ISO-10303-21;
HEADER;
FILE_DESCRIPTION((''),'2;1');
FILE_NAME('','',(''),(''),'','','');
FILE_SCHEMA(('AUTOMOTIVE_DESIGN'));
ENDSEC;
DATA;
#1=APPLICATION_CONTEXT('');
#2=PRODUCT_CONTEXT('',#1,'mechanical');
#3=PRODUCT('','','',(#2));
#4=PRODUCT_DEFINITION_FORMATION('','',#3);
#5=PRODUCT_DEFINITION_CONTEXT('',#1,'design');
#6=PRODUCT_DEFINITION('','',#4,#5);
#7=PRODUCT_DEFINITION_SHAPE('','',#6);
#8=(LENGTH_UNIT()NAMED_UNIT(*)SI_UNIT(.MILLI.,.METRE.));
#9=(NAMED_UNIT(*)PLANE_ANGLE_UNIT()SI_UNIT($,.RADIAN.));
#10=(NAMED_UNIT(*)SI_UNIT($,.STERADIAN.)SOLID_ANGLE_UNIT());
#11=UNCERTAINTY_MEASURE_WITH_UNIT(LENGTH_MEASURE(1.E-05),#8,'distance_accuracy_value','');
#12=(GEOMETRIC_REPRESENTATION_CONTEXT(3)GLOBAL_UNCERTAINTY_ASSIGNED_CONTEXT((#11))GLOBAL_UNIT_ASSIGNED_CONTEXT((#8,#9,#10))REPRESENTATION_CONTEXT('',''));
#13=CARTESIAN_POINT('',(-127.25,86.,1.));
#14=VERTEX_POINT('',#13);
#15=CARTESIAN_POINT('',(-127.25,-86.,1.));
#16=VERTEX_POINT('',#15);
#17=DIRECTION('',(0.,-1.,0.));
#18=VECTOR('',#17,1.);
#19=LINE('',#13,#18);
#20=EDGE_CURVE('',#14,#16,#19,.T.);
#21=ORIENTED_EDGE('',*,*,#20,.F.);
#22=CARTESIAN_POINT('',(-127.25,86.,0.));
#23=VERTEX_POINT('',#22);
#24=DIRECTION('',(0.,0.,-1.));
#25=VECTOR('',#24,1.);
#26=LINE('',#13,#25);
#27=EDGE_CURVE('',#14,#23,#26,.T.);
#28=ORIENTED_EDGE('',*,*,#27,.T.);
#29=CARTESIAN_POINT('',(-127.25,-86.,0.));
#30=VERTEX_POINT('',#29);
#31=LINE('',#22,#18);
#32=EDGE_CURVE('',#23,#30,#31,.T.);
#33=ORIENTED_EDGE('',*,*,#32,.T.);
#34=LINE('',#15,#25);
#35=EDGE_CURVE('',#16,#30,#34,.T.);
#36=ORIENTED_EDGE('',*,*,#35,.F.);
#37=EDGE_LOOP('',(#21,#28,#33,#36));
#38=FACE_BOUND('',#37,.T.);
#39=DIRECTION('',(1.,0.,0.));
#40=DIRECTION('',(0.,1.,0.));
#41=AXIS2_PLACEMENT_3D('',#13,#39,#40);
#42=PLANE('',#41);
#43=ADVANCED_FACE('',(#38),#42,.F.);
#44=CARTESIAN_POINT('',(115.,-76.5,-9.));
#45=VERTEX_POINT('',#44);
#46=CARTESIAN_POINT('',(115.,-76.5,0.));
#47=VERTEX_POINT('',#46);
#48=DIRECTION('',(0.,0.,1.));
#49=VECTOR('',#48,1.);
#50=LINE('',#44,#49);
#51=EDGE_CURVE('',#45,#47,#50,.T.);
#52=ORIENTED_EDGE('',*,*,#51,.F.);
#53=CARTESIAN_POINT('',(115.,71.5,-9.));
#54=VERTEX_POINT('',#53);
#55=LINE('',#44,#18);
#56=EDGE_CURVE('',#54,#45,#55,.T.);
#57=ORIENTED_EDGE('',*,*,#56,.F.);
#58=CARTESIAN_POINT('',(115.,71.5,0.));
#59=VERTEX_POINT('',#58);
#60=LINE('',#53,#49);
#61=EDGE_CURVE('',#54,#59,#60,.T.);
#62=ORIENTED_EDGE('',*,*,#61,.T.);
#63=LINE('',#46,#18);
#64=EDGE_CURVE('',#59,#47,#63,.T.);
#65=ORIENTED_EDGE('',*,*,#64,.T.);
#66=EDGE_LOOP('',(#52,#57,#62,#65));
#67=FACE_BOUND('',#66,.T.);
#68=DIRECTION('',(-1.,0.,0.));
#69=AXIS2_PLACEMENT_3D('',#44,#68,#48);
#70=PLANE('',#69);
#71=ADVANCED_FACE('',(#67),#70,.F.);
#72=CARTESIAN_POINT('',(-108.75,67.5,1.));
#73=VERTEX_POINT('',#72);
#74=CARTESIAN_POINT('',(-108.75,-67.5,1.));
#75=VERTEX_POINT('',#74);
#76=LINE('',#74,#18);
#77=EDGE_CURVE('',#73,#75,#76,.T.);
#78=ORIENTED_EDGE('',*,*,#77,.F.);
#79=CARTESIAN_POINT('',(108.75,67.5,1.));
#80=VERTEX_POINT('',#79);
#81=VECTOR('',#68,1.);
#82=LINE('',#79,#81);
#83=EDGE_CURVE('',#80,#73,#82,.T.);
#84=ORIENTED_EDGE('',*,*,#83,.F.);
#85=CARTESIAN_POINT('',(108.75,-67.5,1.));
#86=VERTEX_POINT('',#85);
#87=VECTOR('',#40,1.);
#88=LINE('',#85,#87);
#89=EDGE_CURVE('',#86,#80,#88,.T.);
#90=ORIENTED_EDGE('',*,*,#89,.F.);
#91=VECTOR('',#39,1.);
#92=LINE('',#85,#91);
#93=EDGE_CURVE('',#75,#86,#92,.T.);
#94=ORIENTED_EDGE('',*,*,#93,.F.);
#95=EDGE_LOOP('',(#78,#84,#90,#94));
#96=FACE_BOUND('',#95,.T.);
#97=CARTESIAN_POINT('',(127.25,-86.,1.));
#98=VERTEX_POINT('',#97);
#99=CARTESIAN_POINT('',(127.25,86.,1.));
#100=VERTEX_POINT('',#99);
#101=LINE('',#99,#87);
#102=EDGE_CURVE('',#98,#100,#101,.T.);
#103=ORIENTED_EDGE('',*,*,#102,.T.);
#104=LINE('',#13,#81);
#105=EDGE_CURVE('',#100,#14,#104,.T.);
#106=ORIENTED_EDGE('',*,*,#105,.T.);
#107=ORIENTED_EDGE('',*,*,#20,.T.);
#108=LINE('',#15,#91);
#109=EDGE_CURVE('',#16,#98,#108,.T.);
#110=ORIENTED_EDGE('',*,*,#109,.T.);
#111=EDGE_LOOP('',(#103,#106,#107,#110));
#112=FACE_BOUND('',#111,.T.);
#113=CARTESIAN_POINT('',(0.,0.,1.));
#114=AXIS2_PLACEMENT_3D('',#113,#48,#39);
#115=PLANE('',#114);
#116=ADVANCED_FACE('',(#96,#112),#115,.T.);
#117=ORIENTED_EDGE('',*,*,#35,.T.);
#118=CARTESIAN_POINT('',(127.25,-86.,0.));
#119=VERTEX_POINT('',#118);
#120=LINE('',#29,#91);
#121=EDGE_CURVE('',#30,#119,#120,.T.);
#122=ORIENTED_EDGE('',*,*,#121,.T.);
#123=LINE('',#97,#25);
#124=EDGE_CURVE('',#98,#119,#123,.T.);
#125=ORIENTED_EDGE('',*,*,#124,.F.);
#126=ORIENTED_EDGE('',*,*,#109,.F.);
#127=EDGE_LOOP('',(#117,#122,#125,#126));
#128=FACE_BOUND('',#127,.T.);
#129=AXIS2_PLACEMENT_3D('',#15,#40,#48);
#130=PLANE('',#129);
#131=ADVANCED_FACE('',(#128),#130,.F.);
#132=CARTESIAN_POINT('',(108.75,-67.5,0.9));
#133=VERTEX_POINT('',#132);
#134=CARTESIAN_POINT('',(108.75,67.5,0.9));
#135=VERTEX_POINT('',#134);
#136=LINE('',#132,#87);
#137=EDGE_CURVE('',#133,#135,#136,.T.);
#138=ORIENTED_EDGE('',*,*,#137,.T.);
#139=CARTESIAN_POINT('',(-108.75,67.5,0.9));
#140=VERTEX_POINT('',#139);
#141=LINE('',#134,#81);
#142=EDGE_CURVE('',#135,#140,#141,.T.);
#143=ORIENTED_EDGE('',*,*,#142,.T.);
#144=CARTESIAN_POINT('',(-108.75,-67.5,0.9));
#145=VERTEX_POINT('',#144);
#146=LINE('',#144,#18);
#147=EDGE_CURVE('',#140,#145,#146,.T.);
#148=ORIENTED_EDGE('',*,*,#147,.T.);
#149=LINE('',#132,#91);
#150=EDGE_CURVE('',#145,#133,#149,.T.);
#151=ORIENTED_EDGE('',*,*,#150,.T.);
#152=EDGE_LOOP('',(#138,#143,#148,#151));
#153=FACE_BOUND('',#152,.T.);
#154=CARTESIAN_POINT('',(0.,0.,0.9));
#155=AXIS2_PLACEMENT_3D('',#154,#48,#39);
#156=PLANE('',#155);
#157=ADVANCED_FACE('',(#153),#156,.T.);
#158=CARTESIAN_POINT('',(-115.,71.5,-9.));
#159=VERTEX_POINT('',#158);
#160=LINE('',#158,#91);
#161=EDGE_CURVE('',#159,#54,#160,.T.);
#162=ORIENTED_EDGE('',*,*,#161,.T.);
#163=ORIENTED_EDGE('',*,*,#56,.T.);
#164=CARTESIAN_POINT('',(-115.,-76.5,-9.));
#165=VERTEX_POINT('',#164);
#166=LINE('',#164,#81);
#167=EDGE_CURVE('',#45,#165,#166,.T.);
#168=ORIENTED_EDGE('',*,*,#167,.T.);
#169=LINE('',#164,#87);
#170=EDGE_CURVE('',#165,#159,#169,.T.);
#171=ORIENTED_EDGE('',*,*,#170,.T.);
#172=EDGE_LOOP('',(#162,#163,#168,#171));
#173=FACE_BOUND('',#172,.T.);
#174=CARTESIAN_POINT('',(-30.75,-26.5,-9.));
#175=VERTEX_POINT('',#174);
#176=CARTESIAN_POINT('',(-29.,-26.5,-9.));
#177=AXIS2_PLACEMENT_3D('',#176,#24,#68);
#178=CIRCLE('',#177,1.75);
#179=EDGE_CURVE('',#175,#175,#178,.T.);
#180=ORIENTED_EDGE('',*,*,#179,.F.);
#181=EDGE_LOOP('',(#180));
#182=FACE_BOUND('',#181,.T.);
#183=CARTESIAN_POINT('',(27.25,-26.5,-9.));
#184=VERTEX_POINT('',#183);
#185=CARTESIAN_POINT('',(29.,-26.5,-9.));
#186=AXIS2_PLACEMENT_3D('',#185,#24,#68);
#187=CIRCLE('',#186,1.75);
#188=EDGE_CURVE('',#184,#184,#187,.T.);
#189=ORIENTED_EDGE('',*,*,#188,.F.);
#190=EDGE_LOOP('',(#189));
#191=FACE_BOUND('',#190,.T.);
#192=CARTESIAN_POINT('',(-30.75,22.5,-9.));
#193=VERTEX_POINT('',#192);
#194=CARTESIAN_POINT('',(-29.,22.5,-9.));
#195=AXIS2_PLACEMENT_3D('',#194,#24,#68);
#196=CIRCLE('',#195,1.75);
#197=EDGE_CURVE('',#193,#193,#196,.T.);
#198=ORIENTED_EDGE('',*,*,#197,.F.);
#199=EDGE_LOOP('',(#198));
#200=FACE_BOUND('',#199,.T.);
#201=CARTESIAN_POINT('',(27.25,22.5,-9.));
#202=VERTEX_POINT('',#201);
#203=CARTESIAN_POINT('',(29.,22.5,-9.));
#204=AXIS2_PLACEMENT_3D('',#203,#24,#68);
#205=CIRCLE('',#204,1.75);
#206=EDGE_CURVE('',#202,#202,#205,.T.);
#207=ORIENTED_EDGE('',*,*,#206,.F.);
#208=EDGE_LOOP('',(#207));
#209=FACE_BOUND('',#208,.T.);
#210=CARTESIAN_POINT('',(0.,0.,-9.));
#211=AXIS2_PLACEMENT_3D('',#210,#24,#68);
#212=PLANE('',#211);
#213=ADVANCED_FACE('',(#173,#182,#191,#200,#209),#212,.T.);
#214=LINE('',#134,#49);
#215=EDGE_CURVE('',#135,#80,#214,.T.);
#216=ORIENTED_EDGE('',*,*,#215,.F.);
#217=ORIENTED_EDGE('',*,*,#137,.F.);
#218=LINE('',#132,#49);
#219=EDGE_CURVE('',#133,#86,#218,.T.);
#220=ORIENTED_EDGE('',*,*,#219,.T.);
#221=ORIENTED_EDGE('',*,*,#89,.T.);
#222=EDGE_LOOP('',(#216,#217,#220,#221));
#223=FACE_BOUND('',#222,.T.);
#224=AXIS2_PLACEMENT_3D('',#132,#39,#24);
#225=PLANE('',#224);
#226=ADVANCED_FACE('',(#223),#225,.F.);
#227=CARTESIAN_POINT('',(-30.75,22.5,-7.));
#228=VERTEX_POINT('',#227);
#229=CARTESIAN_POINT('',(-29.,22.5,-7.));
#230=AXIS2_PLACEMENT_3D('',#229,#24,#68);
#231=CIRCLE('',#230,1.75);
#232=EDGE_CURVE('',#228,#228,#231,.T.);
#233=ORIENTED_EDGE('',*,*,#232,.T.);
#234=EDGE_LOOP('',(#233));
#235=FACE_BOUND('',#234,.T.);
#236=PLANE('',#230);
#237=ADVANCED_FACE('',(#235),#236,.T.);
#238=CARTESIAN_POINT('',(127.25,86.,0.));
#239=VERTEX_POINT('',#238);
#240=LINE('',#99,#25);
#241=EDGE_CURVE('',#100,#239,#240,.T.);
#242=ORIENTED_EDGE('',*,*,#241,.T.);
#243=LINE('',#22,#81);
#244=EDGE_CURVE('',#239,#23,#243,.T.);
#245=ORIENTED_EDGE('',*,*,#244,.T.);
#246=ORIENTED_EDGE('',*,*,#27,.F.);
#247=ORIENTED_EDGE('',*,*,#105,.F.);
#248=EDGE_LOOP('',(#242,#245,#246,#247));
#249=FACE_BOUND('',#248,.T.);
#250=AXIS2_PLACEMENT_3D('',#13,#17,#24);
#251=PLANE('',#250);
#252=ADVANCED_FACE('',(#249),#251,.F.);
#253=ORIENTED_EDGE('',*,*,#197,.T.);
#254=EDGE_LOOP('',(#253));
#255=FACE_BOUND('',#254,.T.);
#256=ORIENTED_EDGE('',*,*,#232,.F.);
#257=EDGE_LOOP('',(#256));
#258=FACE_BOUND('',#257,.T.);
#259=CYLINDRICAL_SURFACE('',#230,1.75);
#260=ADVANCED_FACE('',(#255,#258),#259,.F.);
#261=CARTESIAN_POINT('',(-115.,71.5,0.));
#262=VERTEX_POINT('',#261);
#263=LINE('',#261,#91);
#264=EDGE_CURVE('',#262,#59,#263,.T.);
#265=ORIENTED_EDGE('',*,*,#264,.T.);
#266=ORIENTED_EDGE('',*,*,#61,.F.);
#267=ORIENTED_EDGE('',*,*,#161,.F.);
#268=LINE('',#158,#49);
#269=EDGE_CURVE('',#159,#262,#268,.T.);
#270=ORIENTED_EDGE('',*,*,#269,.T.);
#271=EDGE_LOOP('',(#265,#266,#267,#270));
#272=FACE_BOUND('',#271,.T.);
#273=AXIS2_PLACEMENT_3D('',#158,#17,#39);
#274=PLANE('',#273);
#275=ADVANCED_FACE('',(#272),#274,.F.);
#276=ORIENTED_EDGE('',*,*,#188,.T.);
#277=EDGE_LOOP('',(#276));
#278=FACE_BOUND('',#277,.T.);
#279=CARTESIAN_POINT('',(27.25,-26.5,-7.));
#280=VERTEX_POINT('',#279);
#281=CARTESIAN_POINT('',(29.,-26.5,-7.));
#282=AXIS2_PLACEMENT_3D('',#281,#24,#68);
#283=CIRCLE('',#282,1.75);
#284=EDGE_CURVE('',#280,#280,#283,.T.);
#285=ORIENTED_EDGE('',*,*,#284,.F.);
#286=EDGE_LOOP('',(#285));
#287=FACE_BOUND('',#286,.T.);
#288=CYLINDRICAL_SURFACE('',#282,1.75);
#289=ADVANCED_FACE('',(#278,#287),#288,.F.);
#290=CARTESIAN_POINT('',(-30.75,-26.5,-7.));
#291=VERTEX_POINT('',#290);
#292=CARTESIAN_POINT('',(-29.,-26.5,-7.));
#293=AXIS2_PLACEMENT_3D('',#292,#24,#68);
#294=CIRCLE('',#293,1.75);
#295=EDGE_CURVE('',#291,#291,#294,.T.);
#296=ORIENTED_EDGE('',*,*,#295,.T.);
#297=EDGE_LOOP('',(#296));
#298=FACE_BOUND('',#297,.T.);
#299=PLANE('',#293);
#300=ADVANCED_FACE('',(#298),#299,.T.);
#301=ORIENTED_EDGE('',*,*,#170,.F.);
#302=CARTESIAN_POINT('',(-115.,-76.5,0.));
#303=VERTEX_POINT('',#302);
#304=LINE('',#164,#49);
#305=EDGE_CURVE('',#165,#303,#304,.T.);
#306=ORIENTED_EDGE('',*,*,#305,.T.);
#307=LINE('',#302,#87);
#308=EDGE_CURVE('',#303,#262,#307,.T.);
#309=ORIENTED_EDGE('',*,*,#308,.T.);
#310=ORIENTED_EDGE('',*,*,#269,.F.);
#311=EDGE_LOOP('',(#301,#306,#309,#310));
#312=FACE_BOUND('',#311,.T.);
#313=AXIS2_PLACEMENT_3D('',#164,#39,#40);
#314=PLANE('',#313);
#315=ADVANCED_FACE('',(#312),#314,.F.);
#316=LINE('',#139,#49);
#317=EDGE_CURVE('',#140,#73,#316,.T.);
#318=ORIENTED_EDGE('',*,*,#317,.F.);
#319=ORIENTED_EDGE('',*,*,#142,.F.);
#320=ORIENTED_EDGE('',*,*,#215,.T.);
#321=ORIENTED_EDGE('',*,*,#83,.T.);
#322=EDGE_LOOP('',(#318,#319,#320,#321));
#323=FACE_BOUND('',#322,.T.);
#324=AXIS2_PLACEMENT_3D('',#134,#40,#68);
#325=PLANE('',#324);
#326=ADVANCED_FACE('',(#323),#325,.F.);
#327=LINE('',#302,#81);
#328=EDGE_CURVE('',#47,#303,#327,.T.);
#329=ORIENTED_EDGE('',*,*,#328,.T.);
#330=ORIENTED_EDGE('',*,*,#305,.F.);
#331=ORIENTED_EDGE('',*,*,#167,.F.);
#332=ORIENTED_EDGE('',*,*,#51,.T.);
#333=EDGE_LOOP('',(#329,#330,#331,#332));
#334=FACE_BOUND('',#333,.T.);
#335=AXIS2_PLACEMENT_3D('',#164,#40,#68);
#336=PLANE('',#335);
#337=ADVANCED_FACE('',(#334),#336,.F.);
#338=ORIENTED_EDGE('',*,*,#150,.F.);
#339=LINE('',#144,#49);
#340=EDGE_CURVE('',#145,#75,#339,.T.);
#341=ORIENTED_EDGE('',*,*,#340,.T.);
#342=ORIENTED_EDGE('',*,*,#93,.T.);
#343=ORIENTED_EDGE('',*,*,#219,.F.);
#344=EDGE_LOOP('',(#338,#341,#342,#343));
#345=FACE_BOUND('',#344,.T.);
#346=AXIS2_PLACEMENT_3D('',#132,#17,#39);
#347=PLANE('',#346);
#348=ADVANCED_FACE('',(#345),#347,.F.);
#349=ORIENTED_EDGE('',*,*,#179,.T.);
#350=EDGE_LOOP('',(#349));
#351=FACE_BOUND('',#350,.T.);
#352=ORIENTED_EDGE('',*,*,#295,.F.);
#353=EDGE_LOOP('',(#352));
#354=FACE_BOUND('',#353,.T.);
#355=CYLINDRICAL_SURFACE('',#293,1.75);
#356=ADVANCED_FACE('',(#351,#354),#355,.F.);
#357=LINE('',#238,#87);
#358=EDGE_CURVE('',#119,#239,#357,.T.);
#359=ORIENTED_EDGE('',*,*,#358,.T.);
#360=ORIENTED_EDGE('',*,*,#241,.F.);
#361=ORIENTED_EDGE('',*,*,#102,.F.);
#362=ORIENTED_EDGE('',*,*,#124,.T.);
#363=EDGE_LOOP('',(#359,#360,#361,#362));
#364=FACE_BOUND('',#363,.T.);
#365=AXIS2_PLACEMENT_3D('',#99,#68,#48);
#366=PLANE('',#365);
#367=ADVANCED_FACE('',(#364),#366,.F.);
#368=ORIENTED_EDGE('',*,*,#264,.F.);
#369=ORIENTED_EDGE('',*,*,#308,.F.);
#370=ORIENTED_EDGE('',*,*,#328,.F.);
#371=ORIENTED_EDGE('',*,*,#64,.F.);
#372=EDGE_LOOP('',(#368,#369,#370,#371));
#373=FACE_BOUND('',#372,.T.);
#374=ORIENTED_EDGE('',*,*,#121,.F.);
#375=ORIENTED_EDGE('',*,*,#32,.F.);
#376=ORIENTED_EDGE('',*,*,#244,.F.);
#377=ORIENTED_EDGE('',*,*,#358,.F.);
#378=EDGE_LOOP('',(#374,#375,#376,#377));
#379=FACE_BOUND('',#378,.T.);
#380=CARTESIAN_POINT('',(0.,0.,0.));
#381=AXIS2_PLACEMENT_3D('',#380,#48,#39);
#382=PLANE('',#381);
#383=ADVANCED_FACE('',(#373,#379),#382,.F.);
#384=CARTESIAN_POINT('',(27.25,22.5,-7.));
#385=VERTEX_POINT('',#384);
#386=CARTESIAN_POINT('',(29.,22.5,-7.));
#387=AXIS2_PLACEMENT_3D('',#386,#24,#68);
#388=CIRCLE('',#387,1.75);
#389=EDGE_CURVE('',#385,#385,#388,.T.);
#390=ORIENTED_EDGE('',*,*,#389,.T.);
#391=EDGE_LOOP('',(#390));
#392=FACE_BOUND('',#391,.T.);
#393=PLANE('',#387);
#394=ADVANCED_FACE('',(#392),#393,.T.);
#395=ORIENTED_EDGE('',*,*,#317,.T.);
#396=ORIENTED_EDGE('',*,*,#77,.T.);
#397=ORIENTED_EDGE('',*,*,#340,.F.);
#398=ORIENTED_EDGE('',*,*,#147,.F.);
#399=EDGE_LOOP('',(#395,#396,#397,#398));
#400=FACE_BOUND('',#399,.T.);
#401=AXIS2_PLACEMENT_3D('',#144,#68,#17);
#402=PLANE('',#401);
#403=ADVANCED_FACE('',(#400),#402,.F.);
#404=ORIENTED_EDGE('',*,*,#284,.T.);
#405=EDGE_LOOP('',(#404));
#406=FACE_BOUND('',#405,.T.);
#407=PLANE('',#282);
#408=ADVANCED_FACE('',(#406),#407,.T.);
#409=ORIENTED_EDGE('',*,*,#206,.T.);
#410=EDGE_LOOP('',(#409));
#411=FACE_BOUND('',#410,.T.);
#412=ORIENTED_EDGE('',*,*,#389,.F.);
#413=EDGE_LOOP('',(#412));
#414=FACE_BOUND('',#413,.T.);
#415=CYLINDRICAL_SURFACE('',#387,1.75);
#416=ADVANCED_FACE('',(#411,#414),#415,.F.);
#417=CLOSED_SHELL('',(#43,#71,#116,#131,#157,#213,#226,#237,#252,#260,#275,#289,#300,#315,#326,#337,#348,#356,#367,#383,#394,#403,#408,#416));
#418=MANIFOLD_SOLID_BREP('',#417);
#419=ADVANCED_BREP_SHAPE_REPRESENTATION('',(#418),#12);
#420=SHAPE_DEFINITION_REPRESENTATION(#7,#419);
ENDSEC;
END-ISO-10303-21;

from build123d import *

# Parameters (mm, degrees)
SKETCH1_W           = 254.5
SKETCH1_H           = 172
BOSS_EXTRUDE1_DEPTH = 1
SKETCH2_W           = 230
SKETCH2_H           = 148
BOSS_EXTRUDE2_DEPTH = 9
SKETCH3_R           = 1.75
CUT_EXTRUDE1_DEPTH  = 2
SKETCH4_W           = 217.5
SKETCH4_H           = 135
CUT_EXTRUDE2_DEPTH  = 0.1


with BuildPart() as part:
    # Sketch1 → Boss-Extrude1 (new body)
    with BuildSketch(Plane.XY):
        Rectangle(SKETCH1_W, SKETCH1_H)
    extrude(amount=BOSS_EXTRUDE1_DEPTH)

    # Sketch2 → Boss-Extrude2 (add)
    with BuildSketch(Plane(origin=(0, 0, 0), x_dir=(-1, 0, 0), z_dir=(0, 0, -1))):
        with Locations((0, -2.5)):
            Rectangle(SKETCH2_W, SKETCH2_H)
    extrude(amount=BOSS_EXTRUDE2_DEPTH)

    # Sketch3 → Cut-Extrude1 (cut)
    with BuildSketch(Plane(origin=(0, 0, -9), x_dir=(-1, 0, 0), z_dir=(0, 0, -1))):
        with Locations((29, -26.5)):
            Circle(SKETCH3_R)
        with Locations((-29, -26.5)):
            Circle(SKETCH3_R)
        with Locations((-29, 22.5)):
            Circle(SKETCH3_R)
        with Locations((29, 22.5)):
            Circle(SKETCH3_R)
    extrude(amount=-CUT_EXTRUDE1_DEPTH, mode=Mode.SUBTRACT)

    # Sketch4 → Cut-Extrude2 (cut)
    with BuildSketch(Plane.XY.offset(1)):
        Rectangle(SKETCH4_W, SKETCH4_H)
    extrude(amount=-CUT_EXTRUDE2_DEPTH, mode=Mode.SUBTRACT)


solid = part.part
